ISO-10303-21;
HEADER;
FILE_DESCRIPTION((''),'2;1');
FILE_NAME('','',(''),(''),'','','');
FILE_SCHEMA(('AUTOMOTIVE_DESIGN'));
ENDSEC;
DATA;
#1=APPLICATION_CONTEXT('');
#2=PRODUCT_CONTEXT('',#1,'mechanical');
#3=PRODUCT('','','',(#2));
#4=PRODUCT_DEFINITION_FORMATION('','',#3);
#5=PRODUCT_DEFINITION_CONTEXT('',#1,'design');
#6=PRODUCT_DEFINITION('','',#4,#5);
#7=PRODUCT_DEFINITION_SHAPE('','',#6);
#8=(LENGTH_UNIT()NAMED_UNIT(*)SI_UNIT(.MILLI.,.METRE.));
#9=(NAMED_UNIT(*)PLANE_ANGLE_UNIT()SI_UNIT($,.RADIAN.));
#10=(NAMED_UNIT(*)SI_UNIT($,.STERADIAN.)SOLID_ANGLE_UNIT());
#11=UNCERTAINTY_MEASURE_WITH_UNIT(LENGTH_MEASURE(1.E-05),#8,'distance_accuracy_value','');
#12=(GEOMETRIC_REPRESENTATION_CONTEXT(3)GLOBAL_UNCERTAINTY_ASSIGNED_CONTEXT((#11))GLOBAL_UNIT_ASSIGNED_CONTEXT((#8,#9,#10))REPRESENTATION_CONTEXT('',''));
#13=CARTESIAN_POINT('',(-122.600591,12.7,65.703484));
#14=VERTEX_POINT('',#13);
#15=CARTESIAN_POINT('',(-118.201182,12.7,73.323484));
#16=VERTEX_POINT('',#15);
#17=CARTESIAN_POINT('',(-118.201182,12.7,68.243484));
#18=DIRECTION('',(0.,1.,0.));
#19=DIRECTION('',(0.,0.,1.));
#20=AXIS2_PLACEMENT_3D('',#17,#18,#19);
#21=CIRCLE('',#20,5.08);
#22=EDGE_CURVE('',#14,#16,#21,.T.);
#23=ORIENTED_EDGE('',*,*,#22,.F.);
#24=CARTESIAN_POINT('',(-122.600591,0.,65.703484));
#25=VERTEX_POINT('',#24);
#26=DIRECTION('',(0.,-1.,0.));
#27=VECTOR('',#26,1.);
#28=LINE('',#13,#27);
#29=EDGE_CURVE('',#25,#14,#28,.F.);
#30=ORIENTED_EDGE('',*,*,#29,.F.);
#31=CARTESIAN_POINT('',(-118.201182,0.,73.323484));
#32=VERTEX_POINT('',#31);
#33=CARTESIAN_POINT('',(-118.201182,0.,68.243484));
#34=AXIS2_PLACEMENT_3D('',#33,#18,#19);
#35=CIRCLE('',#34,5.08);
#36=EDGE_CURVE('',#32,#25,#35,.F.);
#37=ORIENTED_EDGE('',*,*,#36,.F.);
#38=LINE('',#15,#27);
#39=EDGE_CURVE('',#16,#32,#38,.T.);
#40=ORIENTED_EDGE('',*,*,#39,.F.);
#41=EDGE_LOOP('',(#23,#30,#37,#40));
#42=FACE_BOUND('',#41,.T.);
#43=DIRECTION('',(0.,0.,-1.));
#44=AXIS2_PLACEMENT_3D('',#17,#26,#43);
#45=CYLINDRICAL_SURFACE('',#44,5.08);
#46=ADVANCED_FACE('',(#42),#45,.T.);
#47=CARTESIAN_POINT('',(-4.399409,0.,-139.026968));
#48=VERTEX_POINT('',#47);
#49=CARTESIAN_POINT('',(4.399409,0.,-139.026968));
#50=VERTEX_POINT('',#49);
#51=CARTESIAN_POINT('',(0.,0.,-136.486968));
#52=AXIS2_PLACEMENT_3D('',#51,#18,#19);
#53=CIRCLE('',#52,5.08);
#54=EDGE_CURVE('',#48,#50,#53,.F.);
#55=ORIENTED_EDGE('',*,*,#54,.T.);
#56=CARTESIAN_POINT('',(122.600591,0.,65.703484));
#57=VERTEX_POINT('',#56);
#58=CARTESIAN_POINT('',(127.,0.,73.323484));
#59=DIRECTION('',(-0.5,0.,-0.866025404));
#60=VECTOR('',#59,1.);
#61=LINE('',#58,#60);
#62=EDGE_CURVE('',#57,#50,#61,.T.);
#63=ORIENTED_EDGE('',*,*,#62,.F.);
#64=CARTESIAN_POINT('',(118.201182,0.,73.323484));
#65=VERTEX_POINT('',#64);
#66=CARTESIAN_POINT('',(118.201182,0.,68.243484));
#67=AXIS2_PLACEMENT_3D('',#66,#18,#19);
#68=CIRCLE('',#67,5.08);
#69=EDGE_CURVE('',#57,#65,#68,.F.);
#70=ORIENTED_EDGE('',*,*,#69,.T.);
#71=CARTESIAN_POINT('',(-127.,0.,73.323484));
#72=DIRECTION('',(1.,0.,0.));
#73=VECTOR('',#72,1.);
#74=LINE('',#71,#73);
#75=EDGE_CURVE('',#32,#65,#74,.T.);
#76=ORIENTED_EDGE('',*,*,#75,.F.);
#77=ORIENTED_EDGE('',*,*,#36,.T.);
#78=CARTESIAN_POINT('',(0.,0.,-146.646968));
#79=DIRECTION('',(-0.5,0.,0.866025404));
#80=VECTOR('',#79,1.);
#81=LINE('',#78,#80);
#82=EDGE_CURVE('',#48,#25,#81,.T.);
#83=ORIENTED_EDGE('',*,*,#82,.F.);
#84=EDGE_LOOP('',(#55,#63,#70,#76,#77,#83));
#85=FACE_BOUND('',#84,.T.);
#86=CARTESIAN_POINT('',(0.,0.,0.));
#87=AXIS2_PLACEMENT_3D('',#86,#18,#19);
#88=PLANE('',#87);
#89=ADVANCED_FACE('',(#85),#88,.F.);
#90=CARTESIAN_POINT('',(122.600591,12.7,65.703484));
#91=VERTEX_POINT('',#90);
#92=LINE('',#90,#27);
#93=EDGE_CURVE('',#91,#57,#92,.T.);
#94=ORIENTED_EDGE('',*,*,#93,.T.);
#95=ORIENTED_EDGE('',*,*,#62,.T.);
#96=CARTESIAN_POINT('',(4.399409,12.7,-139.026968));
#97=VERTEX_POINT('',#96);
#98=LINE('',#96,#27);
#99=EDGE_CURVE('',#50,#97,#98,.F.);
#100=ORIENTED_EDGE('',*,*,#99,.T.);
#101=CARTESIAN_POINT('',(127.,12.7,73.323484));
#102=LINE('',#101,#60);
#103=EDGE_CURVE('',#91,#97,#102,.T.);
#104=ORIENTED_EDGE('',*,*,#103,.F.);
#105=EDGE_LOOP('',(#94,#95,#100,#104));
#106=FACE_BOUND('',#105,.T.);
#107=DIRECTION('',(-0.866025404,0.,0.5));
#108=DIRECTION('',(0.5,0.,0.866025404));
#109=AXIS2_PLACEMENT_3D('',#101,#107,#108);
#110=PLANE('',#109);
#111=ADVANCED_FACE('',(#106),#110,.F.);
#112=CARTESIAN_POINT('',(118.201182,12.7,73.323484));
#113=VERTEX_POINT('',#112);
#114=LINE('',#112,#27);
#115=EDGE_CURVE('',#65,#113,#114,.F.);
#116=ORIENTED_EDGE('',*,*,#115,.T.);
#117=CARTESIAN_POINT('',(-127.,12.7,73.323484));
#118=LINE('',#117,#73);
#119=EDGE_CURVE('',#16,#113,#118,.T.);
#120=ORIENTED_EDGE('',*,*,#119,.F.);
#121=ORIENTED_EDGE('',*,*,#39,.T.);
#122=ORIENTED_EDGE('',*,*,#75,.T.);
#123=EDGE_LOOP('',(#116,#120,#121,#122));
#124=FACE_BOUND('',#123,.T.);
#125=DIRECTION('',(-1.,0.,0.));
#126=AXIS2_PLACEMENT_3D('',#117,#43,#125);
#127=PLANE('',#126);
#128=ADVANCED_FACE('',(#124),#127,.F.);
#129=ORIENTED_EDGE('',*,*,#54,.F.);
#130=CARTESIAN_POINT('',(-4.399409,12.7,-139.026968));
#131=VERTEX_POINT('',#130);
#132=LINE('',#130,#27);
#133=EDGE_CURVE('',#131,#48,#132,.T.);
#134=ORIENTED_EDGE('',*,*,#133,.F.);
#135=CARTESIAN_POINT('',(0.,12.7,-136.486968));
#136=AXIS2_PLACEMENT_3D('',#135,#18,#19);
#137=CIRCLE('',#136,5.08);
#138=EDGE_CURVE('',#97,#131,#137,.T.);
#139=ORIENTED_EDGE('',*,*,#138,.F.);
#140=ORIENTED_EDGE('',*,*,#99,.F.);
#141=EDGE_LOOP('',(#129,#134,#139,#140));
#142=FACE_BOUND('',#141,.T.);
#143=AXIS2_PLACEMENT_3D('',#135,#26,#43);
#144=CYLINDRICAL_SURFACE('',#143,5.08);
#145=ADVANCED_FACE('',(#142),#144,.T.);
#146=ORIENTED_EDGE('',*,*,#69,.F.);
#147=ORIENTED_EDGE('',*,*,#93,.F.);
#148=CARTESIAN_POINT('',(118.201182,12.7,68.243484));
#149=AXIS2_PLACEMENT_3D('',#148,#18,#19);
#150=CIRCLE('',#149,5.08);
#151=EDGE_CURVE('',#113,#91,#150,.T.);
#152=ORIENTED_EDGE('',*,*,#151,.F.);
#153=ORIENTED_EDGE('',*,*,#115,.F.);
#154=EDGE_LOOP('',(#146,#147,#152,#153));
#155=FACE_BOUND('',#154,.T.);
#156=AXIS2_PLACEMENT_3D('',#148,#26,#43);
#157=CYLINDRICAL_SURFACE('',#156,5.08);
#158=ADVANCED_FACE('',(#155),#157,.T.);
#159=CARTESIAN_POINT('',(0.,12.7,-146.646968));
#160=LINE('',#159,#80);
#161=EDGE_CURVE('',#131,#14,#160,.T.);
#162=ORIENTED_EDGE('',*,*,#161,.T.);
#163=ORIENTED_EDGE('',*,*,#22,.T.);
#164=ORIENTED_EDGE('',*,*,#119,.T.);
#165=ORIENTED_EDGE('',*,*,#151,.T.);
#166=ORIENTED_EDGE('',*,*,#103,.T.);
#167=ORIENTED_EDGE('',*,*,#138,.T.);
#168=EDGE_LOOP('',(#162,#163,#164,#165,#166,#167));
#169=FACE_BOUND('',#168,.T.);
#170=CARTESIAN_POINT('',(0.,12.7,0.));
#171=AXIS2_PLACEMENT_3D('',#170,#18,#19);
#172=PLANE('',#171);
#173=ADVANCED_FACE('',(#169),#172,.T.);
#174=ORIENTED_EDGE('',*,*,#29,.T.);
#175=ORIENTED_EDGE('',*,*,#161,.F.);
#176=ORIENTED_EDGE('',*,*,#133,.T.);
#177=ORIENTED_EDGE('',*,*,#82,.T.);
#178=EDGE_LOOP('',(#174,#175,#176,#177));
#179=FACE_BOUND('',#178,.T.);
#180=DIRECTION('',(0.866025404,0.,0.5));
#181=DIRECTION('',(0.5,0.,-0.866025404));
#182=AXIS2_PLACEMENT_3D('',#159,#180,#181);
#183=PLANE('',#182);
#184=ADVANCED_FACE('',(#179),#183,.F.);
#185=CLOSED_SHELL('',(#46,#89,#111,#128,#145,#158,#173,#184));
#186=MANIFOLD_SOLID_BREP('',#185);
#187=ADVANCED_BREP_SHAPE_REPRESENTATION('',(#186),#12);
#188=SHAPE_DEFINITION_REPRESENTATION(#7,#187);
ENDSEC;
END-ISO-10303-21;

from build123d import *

# Parameters (mm, degrees)
BOSS_EXTRUDE1_DEPTH = 12.7
FILLET1_R           = 5.08


with BuildPart() as part:
    # Sketch1 → Boss-Extrude1 (new body)
    with BuildSketch(Plane(origin=(0, 0, 0), x_dir=(1, 0, 0), z_dir=(0, 1, 0))):
        Polygon((0, 146.646968374), (-127, -73.323484187), (127, -73.323484187), align=None)
    extrude(amount=BOSS_EXTRUDE1_DEPTH)

    # Fillet1
    fillet1_edges = [part.edges().sort_by_distance(p)[0] for p in [
        (127, 6.35, 73.323484187),
        (-127, 6.35, 73.323484187),
        (0, 6.35, -146.646968374),
    ]]
    fillet(fillet1_edges, radius=FILLET1_R)


solid = part.part
